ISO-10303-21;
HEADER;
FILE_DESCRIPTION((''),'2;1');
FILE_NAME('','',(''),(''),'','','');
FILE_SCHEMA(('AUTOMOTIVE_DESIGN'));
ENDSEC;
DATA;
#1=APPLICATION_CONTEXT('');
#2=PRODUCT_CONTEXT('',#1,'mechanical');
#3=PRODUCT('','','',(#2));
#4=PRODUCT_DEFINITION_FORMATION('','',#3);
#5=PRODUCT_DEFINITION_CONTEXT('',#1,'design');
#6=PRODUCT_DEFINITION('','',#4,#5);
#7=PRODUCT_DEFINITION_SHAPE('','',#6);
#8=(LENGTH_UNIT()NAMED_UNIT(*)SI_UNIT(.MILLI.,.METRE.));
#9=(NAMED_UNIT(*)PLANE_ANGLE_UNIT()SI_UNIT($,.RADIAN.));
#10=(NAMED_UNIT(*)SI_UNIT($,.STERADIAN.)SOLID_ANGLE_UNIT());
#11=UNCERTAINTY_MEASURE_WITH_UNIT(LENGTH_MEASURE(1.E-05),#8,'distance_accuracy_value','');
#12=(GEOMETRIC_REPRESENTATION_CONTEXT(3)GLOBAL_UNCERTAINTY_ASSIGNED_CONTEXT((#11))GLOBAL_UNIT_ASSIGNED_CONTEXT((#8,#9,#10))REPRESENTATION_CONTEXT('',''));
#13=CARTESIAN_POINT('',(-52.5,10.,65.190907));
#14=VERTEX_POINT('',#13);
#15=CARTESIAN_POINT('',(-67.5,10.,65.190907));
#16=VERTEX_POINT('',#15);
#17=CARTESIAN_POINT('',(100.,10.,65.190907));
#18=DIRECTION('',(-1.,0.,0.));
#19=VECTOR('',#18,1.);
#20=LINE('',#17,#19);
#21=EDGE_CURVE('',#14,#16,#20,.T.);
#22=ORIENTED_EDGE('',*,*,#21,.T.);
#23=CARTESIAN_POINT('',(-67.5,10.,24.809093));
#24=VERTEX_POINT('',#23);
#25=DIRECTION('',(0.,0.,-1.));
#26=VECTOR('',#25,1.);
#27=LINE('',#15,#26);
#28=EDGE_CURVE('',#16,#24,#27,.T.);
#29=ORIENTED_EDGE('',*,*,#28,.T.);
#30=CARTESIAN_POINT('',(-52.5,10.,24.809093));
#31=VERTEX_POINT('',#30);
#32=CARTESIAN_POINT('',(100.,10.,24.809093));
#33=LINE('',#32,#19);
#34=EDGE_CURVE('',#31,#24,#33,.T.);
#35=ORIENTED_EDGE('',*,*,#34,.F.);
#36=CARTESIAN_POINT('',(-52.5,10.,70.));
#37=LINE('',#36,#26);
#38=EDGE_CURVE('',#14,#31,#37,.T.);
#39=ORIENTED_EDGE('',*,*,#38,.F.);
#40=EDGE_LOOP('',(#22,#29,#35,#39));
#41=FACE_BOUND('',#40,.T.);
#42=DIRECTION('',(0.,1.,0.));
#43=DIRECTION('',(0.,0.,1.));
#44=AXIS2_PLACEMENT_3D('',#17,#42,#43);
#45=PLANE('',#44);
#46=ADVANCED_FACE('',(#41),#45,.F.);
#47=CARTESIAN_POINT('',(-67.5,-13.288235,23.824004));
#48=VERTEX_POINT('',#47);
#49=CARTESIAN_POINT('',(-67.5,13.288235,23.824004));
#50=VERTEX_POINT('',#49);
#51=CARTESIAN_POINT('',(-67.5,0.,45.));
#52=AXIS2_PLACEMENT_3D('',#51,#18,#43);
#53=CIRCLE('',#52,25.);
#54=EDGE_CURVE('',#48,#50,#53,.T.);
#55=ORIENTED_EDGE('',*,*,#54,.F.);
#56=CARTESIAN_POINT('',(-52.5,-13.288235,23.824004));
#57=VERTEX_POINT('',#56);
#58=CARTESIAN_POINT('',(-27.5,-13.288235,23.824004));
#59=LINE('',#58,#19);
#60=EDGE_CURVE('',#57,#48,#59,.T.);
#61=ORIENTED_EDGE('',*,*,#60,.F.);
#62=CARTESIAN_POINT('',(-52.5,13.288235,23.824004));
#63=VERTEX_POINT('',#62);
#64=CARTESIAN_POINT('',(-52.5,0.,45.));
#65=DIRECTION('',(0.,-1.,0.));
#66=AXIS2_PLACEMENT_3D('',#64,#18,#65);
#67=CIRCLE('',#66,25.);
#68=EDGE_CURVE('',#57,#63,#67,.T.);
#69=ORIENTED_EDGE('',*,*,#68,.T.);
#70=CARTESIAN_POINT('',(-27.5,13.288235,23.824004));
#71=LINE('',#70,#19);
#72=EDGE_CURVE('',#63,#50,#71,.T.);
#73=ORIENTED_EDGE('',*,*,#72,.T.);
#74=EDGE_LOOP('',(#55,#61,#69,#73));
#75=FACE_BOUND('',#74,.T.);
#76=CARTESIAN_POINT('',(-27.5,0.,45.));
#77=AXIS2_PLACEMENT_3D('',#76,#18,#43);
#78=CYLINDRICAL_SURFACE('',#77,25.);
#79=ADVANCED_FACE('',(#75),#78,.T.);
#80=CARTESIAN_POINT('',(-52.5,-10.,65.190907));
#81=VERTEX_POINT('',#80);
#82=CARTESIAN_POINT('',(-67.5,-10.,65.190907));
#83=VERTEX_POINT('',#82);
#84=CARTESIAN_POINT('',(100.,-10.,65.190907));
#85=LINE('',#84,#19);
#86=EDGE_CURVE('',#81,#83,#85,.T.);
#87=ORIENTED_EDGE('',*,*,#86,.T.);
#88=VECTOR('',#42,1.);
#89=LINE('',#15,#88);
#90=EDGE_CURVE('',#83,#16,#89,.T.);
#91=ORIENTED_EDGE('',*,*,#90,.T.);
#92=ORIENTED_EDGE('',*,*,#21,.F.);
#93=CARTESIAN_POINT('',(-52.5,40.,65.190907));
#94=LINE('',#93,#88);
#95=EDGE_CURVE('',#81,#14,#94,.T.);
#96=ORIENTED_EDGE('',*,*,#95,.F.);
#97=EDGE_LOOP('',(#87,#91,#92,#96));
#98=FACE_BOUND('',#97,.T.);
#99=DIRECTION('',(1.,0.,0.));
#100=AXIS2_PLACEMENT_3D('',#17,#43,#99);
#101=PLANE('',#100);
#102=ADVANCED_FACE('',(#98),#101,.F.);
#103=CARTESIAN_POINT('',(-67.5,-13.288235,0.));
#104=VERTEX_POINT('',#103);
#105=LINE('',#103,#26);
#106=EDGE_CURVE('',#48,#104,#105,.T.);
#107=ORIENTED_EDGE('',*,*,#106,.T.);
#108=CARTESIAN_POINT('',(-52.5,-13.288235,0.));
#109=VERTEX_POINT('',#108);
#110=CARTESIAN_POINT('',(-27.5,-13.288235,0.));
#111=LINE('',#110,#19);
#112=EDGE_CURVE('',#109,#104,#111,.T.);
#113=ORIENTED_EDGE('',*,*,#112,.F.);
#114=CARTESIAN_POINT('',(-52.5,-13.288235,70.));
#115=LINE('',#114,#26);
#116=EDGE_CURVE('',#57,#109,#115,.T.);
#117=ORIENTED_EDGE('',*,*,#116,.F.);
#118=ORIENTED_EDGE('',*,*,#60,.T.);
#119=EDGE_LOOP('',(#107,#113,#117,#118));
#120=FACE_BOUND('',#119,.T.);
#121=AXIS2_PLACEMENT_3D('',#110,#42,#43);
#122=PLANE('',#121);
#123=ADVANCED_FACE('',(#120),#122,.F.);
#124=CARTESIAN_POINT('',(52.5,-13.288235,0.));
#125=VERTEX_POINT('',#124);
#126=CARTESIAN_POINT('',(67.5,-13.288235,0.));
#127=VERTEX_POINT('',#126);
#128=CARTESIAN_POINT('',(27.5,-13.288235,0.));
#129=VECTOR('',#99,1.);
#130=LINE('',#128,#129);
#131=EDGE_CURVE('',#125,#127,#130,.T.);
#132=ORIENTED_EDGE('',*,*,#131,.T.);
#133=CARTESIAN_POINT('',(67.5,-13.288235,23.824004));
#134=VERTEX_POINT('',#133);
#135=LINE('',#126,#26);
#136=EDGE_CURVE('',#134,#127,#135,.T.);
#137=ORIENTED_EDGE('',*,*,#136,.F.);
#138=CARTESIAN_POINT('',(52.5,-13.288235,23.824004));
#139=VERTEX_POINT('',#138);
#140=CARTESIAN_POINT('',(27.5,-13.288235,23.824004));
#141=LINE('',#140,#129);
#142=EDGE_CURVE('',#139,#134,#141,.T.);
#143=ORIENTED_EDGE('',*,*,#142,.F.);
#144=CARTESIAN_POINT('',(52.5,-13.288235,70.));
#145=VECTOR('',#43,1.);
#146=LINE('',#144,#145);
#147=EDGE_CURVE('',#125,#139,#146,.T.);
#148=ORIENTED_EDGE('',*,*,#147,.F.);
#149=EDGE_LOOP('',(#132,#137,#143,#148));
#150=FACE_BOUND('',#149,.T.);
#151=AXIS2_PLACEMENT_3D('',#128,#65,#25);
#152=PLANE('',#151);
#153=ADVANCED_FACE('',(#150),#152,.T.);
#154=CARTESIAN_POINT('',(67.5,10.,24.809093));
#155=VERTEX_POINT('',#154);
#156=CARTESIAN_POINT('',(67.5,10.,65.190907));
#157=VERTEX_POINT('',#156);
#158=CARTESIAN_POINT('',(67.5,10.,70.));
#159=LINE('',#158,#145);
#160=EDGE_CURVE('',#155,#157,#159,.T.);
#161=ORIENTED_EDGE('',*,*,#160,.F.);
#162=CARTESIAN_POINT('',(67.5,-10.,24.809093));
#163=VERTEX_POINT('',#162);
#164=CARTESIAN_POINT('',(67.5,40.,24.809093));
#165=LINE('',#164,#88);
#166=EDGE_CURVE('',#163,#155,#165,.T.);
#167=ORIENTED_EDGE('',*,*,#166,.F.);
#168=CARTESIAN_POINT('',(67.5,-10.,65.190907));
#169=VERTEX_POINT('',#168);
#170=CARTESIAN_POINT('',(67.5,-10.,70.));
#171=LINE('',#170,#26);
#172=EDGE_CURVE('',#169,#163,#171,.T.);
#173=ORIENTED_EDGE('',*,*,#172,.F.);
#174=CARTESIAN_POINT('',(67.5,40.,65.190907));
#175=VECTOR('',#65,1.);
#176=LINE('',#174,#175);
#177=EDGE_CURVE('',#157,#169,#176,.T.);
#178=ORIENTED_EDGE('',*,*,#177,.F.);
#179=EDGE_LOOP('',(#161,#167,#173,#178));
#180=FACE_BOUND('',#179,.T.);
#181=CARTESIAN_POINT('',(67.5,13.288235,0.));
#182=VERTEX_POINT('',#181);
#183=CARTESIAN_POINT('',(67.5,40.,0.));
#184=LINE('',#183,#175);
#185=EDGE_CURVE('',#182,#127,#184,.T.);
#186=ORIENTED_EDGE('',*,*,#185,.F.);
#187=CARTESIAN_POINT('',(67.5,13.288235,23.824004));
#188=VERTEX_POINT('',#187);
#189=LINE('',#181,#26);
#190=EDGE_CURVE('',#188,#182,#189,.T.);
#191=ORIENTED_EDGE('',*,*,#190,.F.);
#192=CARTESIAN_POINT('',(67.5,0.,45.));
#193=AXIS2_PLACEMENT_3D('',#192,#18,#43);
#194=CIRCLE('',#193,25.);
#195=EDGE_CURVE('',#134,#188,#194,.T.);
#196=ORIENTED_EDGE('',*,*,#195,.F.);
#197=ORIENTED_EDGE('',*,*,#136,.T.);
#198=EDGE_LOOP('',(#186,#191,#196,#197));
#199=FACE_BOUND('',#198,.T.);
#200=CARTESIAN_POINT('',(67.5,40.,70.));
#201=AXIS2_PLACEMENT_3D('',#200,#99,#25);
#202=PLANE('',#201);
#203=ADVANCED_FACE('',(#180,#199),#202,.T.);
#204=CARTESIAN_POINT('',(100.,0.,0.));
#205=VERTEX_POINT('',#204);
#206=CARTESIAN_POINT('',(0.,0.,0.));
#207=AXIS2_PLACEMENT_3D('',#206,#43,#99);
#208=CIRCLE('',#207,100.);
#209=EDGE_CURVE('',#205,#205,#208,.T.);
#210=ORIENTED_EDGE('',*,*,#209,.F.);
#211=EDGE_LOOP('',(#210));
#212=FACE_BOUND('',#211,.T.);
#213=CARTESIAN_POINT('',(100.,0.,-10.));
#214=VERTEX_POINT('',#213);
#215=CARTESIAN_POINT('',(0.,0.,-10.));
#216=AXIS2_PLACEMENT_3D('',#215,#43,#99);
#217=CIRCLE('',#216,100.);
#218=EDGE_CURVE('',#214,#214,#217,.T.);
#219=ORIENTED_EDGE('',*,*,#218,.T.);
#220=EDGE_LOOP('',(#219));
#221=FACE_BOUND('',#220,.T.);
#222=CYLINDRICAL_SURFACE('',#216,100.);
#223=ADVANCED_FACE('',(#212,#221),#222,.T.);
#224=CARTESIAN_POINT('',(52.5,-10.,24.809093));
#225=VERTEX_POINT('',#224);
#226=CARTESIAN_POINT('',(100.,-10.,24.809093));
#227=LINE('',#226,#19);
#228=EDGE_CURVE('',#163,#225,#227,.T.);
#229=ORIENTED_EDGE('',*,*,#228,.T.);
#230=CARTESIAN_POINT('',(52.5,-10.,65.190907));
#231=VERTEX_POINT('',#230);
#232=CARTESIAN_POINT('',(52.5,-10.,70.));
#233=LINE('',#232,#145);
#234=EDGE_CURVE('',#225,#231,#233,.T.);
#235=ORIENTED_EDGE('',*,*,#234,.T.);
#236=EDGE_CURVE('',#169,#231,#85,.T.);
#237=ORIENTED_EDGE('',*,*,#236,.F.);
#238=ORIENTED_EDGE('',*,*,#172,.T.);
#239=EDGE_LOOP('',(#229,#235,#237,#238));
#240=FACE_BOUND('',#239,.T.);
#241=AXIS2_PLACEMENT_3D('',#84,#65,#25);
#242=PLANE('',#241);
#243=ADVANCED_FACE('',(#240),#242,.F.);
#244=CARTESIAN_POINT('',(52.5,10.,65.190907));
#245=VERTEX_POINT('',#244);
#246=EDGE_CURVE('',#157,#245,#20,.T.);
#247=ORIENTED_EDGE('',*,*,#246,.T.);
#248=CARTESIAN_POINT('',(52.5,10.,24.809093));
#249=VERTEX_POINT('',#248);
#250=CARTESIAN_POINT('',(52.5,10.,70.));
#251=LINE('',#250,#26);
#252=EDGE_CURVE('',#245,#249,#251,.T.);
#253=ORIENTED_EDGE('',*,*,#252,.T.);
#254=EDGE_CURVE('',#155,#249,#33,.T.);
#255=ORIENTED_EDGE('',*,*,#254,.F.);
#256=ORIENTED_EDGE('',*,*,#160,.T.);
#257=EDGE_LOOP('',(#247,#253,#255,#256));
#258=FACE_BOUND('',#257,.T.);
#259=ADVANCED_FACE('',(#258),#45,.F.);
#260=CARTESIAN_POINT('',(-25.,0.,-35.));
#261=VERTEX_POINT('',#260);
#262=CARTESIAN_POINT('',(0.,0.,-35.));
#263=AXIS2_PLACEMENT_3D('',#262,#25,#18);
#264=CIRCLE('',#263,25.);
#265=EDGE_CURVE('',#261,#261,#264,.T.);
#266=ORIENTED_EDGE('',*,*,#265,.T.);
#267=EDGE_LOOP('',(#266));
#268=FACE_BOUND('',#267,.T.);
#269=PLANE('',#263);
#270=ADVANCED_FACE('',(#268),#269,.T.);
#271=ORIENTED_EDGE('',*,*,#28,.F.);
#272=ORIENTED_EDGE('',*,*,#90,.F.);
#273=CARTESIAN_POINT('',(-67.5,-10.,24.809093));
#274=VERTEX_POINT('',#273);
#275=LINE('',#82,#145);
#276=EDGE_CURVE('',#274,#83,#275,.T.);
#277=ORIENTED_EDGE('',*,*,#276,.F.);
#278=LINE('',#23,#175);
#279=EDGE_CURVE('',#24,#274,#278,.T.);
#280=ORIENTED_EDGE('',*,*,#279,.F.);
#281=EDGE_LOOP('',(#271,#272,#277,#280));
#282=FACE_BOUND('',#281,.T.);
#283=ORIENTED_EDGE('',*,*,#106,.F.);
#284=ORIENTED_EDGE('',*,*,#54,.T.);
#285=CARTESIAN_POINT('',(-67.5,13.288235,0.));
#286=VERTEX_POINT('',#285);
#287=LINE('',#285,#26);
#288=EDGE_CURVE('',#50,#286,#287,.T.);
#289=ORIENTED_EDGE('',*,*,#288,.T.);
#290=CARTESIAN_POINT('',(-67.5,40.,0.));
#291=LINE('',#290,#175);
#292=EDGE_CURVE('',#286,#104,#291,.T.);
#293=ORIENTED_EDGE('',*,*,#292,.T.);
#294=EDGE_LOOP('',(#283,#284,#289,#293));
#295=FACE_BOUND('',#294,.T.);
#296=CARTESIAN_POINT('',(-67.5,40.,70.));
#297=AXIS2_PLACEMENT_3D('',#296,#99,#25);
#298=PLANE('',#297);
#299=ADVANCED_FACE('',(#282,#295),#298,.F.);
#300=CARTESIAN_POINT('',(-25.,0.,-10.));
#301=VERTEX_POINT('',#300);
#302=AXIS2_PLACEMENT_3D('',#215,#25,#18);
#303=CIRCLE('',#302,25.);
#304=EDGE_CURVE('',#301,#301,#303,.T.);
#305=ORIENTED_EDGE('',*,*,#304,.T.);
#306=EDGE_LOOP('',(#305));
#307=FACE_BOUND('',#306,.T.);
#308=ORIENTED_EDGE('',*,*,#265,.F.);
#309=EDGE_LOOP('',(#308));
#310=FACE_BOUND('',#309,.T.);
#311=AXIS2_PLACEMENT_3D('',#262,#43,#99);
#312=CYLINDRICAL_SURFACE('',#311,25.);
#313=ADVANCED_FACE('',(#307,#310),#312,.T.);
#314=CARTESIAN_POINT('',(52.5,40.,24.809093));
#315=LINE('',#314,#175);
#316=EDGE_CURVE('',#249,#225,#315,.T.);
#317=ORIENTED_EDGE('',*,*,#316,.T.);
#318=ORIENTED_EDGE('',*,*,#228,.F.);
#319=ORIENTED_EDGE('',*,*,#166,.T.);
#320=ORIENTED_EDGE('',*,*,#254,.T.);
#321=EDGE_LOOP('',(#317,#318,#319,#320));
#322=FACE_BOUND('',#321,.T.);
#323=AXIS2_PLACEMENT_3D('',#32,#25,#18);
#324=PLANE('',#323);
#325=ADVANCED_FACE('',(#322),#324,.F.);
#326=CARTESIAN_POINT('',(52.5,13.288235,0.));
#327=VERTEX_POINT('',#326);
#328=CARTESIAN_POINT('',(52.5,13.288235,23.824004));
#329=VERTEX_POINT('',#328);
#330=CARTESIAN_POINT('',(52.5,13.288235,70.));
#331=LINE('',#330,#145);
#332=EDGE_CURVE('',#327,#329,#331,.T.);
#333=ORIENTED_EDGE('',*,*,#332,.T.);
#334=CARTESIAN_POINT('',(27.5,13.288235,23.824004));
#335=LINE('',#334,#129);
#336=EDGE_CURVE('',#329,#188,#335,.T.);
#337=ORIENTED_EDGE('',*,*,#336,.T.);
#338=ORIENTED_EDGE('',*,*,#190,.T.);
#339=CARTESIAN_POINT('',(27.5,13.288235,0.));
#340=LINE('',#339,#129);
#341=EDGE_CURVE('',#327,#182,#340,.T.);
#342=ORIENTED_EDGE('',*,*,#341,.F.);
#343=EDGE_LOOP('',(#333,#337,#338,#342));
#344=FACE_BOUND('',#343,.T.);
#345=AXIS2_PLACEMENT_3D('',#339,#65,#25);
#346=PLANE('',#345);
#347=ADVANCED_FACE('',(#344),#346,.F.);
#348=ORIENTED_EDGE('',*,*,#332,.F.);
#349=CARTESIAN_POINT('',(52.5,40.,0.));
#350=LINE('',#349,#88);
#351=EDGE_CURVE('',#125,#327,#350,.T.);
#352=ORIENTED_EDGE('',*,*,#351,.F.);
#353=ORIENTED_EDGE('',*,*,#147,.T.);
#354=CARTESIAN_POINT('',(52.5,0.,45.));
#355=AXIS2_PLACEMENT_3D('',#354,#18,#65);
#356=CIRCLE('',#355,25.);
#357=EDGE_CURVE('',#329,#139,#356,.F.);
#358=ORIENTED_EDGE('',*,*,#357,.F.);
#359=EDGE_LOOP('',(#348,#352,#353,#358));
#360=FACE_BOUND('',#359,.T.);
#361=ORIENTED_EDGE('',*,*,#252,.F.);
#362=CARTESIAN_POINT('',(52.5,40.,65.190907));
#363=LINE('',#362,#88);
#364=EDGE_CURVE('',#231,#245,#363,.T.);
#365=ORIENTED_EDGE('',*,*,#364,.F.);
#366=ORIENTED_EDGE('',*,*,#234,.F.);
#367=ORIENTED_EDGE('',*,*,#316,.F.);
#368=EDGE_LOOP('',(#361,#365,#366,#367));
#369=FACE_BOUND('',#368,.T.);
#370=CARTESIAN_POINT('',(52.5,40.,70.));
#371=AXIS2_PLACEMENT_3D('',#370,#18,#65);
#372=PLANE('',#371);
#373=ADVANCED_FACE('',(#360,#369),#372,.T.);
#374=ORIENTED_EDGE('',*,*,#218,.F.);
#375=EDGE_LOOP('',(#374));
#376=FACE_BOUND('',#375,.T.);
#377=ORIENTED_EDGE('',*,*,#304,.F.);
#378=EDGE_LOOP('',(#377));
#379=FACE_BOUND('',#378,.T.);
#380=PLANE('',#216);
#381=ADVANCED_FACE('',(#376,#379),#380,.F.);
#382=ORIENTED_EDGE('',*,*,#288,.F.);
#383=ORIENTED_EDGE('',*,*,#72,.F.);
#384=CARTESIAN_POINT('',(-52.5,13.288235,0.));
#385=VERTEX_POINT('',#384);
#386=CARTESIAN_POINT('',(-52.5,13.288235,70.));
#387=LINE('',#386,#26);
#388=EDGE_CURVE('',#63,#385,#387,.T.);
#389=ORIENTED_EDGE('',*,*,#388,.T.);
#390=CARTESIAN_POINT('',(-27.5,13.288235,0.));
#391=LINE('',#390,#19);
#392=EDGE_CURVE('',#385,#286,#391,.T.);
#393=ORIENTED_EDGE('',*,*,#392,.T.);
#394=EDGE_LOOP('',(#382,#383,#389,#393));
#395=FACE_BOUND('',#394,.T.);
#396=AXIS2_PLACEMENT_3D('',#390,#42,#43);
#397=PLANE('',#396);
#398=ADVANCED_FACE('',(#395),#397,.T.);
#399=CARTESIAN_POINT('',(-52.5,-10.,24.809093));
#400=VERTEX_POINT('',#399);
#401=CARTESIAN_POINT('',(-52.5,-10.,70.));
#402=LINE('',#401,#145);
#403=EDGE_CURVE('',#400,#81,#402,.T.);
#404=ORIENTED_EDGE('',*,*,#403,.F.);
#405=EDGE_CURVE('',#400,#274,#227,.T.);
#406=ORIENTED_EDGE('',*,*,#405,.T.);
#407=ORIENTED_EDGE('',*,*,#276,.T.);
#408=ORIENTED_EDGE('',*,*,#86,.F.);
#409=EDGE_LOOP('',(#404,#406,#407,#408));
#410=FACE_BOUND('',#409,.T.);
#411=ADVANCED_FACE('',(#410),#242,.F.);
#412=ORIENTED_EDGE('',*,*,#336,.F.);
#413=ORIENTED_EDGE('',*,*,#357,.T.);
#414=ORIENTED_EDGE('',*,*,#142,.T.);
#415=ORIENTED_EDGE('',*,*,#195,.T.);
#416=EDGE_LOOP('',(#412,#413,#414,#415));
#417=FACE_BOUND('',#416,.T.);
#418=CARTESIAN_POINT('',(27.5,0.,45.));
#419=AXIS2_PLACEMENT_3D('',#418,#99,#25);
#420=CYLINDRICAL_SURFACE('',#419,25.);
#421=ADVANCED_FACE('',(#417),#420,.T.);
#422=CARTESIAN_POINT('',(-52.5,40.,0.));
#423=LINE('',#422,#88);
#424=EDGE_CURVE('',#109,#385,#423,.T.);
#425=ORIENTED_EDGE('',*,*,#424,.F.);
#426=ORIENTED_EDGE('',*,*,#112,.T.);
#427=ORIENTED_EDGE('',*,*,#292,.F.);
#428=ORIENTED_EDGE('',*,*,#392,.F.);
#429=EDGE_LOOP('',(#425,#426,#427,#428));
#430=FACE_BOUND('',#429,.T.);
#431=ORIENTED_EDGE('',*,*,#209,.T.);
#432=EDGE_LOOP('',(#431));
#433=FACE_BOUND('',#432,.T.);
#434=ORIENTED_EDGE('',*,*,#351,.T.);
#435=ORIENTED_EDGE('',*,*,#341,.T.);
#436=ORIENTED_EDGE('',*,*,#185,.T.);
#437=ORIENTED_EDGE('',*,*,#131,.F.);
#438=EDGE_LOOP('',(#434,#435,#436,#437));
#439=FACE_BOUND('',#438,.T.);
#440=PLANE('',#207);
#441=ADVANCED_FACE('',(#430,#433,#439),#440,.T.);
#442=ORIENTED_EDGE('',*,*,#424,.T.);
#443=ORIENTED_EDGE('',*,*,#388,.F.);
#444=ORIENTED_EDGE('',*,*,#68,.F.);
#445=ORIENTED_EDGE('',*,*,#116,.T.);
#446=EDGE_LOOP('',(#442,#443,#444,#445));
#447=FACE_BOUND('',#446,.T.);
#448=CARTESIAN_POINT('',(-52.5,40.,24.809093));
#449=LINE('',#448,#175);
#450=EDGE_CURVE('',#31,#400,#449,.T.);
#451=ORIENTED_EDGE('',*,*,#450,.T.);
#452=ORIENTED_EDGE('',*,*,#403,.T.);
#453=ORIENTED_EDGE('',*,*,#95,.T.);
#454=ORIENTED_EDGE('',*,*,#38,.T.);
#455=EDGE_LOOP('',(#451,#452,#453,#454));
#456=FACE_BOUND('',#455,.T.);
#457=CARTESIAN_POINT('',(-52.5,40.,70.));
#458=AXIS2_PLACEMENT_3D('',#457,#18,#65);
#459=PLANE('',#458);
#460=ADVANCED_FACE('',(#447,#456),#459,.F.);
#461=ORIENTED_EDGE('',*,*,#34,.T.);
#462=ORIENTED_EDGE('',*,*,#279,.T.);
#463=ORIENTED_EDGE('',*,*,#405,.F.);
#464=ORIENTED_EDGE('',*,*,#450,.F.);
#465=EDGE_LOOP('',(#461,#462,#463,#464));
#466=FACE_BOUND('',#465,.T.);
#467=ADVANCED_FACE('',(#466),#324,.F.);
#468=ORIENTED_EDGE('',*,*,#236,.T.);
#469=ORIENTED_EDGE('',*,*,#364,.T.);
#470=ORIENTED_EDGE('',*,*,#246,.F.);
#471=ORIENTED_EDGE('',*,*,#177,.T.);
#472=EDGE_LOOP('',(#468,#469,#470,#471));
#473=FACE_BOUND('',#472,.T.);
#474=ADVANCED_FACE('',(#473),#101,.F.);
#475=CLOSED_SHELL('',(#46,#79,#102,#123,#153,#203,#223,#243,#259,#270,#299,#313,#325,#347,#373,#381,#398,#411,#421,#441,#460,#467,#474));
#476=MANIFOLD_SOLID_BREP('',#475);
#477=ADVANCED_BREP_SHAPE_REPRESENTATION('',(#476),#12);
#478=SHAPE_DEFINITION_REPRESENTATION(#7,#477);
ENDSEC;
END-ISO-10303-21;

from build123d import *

# Parameters (mm, degrees)
SKETCH1_R           = 100
BOSS_EXTRUDE1_DEPTH = 10
SKETCH2_R           = 25
BOSS_EXTRUDE2_DEPTH = 25
SKETCH3_W           = 15
SKETCH3_H           = 80
BOSS_EXTRUDE3_DEPTH = 70
CUT_EXTRUDE1_DEPTH  = 40
SKETCH7_W           = 40.381813508
SKETCH7_H           = 20
CUT_EXTRUDE2_DEPTH  = 208.25889607


with BuildPart() as part:
    # Sketch1 → Boss-Extrude1 (new body)
    with BuildSketch(Plane.XY):
        Circle(SKETCH1_R)
    extrude(amount=-BOSS_EXTRUDE1_DEPTH)

    # Sketch2 → Boss-Extrude2 (add)
    with BuildSketch(Plane(origin=(0, 0, -10), x_dir=(-1, 0, 0), z_dir=(0, 0, -1))):
        Circle(SKETCH2_R)
    extrude(amount=BOSS_EXTRUDE2_DEPTH)

    # Sketch3 → Boss-Extrude3 (add)
    with BuildSketch(Plane.XY):
        with Locations((-60, 0)):
            Rectangle(SKETCH3_W, SKETCH3_H)
    boss_extrude3 = extrude(amount=BOSS_EXTRUDE3_DEPTH)

    # Sketch5 → Cut-Extrude1 (cut)
    with BuildSketch(Plane.ZY.offset(67.5)):
        with BuildLine():
            Line((70, 0), (70, 40))
            Line((70, 40), (0, 40))
            Line((0, 40), (0, 13.288234805))
            Line((0, 13.288234805), (23.824003784, 13.288234805))
            ThreePointArc((23.824003784, 13.288234805), (51.913757827, 24.024986008), (70, 0))
        make_face()
        with BuildLine():
            Line((70, -40), (70, 0))
            ThreePointArc((70, 0), (51.913757827, -24.024986008), (23.824003784, -13.288234805))
            Line((23.824003784, -13.288234805), (0, -13.288234805))
            Line((0, -13.288234805), (0, -40))
            Line((0, -40), (70, -40))
        make_face()
    cut_extrude1 = extrude(amount=-CUT_EXTRUDE1_DEPTH, mode=Mode.SUBTRACT)

    # Mirror2: Boss-Extrude3, Cut-Extrude1 across plane
    add(boss_extrude3.mirror(Plane(origin=(0, 0, 0), x_dir=(0, 0, 1), z_dir=(1, 0, 0))))
    add(cut_extrude1.mirror(Plane(origin=(0, 0, 0), x_dir=(0, 0, 1), z_dir=(1, 0, 0))), mode=Mode.SUBTRACT)

    # Sketch7 → Cut-Extrude2 (cut, through all)
    with BuildSketch(Plane.ZY.offset(67.5)):
        with Locations((45, 0)):
            Rectangle(SKETCH7_W, SKETCH7_H)
    extrude(amount=-CUT_EXTRUDE2_DEPTH, mode=Mode.SUBTRACT)


solid = part.part
